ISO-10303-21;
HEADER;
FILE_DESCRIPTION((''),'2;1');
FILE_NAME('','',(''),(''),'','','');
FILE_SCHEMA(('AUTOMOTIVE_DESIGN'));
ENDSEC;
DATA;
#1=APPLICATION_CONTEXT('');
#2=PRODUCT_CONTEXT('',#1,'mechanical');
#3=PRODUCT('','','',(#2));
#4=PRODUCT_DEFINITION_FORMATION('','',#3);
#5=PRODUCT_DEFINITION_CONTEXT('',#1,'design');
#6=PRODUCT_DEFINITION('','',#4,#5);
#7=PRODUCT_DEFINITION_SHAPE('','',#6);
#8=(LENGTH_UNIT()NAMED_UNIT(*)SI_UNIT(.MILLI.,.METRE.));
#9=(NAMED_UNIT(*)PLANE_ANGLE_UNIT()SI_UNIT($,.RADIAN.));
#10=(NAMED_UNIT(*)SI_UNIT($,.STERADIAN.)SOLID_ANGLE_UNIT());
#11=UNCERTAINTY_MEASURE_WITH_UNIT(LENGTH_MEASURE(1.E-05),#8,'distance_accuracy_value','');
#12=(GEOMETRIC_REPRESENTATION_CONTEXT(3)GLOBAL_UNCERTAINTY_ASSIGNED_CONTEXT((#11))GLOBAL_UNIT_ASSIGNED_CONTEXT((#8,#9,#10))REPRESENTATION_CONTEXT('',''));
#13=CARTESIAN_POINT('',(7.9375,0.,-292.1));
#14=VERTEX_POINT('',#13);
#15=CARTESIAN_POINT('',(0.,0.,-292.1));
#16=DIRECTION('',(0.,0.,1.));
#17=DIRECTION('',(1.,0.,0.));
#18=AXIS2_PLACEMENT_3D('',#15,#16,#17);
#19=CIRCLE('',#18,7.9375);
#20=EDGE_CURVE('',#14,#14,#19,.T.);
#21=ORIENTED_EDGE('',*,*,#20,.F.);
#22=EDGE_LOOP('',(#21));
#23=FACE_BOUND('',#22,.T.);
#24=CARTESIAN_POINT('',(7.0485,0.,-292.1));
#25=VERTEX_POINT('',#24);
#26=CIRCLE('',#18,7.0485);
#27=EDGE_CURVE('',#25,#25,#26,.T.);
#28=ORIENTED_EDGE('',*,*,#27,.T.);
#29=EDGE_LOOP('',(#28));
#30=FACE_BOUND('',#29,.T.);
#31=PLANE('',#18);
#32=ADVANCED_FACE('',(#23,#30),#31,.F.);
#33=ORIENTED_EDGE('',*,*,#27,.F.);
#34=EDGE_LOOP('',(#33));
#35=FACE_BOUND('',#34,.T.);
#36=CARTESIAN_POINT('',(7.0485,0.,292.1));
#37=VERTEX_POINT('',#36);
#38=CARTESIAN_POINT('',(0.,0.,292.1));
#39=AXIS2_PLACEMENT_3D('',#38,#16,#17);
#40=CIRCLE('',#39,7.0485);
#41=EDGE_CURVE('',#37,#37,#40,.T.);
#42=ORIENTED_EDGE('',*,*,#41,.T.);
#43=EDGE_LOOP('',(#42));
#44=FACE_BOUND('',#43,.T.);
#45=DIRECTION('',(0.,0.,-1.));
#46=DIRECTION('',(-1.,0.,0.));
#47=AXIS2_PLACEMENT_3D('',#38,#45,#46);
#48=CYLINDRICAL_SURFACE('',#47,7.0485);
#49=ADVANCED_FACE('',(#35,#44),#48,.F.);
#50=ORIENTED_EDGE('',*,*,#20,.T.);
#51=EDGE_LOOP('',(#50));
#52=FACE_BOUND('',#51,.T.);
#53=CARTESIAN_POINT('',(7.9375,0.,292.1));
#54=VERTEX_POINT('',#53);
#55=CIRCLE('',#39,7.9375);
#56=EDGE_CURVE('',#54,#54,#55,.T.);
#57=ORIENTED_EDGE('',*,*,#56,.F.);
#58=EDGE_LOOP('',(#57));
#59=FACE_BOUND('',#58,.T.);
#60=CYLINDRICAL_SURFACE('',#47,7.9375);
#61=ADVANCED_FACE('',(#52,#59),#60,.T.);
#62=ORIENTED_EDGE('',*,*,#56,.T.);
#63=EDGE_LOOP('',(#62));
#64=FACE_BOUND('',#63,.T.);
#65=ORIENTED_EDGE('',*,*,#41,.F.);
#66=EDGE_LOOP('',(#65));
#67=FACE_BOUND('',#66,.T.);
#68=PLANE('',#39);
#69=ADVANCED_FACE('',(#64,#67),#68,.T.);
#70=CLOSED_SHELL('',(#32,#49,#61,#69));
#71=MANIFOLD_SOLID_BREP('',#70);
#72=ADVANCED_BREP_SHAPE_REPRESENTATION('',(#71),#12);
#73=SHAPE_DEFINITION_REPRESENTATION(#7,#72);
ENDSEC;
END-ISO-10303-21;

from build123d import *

# Parameters (mm, degrees)
SKETCH1_R           = 7.9375
SKETCH1_R_2         = 7.0485
BOSS_EXTRUDE1_DEPTH = 292.1


with BuildPart() as part:
    # Sketch1 → Boss-Extrude1 (new, symmetric)
    with BuildSketch(Plane.XY):
        Circle(SKETCH1_R)
        Circle(SKETCH1_R_2, mode=Mode.SUBTRACT)
    extrude(amount=BOSS_EXTRUDE1_DEPTH, both=True)


solid = part.part
